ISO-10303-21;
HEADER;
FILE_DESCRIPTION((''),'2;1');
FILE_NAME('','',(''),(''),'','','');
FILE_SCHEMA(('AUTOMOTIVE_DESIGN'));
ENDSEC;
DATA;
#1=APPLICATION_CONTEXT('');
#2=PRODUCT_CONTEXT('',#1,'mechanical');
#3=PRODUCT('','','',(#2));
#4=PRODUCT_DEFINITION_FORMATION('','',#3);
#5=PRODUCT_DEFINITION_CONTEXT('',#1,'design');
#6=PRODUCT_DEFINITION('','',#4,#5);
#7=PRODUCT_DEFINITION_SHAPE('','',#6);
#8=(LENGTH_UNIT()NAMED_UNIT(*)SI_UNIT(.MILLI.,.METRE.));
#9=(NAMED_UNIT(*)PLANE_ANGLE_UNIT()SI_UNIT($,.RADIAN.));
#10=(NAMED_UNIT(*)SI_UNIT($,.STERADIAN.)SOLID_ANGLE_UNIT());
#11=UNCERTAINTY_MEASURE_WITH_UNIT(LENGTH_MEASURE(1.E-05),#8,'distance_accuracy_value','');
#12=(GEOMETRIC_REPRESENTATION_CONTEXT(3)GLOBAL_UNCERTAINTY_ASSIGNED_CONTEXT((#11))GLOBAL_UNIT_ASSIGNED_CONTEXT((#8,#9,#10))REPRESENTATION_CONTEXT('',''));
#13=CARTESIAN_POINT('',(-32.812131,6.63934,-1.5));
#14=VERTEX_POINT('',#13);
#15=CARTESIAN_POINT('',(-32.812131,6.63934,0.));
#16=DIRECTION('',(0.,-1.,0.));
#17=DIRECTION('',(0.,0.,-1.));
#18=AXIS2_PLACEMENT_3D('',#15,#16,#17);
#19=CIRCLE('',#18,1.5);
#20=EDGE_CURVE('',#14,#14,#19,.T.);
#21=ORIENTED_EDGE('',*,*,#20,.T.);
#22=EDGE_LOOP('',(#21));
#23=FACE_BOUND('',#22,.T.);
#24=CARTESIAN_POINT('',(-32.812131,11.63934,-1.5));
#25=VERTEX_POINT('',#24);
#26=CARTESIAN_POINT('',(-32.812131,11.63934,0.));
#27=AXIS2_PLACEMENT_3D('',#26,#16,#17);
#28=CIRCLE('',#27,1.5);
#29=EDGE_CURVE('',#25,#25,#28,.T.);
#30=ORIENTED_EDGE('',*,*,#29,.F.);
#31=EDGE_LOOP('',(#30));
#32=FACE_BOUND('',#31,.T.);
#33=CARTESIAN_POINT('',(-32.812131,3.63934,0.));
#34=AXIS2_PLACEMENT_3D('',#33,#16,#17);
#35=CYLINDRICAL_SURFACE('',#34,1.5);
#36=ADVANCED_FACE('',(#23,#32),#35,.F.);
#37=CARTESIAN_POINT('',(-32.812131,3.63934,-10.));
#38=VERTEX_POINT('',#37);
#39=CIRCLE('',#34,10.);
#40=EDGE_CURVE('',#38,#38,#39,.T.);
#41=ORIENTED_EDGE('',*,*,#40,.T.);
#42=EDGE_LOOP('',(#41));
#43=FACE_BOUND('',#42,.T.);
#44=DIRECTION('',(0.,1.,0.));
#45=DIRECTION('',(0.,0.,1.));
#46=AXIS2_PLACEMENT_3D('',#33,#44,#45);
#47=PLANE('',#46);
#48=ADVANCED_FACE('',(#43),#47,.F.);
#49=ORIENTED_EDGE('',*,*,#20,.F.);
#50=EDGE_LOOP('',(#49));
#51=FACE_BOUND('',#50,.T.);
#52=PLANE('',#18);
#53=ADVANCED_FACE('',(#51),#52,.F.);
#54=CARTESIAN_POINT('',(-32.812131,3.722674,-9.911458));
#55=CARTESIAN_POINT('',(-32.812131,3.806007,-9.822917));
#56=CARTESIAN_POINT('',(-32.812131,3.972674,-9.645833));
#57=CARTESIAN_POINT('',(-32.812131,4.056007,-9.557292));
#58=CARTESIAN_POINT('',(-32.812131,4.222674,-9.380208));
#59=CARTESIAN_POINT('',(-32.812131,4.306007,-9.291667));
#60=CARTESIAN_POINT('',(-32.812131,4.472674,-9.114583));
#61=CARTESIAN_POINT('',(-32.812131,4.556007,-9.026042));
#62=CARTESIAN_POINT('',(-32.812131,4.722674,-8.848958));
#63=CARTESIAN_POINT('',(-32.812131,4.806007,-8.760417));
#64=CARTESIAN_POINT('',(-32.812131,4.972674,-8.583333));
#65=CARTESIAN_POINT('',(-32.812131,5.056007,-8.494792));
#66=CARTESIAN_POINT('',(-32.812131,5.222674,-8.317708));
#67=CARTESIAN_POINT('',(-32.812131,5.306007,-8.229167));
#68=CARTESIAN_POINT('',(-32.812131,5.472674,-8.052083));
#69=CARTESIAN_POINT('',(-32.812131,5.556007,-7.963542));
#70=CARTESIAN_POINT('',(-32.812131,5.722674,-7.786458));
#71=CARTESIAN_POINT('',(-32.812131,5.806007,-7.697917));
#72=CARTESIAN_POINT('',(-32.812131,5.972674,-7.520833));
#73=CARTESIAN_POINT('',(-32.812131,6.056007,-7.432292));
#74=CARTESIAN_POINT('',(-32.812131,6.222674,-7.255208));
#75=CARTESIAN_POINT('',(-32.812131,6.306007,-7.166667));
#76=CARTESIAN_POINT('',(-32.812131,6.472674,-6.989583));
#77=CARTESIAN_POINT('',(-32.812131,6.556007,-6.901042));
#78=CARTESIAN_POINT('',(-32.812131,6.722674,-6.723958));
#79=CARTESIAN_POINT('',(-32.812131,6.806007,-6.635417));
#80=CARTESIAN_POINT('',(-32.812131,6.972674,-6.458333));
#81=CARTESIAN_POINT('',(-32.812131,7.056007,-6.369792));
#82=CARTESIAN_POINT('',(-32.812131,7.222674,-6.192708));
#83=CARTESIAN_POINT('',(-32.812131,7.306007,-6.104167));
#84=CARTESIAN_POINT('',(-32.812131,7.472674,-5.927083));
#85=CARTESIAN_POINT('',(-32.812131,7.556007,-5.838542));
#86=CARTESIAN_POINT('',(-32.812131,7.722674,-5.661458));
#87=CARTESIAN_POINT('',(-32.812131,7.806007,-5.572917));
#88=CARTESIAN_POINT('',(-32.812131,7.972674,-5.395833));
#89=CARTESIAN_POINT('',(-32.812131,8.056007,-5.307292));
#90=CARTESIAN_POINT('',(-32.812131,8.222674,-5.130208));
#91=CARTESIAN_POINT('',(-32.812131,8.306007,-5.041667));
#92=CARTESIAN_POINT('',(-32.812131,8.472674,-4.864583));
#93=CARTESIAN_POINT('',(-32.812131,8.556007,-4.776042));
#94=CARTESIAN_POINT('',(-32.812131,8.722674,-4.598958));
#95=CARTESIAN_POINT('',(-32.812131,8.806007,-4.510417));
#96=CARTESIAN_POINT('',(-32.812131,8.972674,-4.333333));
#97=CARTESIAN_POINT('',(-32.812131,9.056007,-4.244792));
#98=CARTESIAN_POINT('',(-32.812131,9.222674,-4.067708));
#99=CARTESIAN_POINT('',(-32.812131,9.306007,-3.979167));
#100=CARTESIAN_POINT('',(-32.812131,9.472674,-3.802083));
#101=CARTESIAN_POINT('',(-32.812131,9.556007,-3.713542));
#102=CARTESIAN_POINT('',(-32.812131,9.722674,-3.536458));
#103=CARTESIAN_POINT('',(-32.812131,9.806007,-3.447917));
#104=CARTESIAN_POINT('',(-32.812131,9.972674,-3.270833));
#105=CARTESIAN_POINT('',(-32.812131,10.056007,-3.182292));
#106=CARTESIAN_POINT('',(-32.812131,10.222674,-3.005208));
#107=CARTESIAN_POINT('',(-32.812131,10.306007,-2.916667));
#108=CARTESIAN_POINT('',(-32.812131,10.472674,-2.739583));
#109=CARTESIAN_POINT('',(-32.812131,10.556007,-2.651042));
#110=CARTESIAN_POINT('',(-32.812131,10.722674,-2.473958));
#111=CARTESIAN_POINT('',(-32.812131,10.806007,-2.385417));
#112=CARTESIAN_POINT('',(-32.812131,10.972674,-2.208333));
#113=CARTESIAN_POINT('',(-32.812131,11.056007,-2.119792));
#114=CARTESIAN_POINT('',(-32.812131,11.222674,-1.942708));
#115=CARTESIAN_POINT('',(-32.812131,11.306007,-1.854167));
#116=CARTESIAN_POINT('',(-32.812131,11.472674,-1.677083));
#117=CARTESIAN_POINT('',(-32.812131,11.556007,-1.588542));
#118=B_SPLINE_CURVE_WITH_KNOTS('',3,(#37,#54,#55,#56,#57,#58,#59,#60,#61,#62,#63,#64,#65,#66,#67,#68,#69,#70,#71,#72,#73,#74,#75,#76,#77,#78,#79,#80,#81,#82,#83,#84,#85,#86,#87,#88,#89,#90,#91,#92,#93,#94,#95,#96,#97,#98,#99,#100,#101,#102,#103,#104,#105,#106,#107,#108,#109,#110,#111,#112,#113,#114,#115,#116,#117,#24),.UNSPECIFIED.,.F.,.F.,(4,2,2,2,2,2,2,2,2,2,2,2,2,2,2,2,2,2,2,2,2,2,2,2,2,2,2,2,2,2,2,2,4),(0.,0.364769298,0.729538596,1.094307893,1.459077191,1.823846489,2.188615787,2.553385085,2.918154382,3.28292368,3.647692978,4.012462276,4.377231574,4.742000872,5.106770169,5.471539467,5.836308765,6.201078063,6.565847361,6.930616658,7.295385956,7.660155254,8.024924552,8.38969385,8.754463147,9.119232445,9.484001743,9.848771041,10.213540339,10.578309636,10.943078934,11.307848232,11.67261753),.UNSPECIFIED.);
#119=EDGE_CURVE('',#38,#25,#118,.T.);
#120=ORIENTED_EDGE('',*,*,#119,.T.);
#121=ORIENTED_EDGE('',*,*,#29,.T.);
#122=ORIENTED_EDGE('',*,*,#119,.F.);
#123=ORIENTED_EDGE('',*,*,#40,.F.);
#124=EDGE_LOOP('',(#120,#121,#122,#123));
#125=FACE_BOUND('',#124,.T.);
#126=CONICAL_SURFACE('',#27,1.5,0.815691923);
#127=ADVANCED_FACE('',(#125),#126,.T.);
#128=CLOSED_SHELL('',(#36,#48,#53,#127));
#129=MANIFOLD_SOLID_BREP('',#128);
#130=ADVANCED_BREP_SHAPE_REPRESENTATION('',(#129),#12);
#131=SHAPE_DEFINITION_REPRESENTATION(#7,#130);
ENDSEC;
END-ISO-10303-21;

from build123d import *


with BuildPart() as part:
    # Croquis2 → Revolución1 (revolve)
    with BuildSketch(Plane.XY, mode=Mode.PRIVATE) as revoluci_n1_sk:
        Polygon((-32.812131413, 3.639340419), (-42.812131413, 3.639340419), (-34.312131413, 11.639340419), (-34.312131413, 6.639340419), (-32.812131413, 6.639340419), align=None)
    revolve(revoluci_n1_sk.sketch.rotate(Axis((-32.812131413, 3.639340419, 0), (0, 1, 0)), 270), axis=Axis((-32.812131413, 3.639340419, 0), (0, 1, 0)))


solid = part.part
